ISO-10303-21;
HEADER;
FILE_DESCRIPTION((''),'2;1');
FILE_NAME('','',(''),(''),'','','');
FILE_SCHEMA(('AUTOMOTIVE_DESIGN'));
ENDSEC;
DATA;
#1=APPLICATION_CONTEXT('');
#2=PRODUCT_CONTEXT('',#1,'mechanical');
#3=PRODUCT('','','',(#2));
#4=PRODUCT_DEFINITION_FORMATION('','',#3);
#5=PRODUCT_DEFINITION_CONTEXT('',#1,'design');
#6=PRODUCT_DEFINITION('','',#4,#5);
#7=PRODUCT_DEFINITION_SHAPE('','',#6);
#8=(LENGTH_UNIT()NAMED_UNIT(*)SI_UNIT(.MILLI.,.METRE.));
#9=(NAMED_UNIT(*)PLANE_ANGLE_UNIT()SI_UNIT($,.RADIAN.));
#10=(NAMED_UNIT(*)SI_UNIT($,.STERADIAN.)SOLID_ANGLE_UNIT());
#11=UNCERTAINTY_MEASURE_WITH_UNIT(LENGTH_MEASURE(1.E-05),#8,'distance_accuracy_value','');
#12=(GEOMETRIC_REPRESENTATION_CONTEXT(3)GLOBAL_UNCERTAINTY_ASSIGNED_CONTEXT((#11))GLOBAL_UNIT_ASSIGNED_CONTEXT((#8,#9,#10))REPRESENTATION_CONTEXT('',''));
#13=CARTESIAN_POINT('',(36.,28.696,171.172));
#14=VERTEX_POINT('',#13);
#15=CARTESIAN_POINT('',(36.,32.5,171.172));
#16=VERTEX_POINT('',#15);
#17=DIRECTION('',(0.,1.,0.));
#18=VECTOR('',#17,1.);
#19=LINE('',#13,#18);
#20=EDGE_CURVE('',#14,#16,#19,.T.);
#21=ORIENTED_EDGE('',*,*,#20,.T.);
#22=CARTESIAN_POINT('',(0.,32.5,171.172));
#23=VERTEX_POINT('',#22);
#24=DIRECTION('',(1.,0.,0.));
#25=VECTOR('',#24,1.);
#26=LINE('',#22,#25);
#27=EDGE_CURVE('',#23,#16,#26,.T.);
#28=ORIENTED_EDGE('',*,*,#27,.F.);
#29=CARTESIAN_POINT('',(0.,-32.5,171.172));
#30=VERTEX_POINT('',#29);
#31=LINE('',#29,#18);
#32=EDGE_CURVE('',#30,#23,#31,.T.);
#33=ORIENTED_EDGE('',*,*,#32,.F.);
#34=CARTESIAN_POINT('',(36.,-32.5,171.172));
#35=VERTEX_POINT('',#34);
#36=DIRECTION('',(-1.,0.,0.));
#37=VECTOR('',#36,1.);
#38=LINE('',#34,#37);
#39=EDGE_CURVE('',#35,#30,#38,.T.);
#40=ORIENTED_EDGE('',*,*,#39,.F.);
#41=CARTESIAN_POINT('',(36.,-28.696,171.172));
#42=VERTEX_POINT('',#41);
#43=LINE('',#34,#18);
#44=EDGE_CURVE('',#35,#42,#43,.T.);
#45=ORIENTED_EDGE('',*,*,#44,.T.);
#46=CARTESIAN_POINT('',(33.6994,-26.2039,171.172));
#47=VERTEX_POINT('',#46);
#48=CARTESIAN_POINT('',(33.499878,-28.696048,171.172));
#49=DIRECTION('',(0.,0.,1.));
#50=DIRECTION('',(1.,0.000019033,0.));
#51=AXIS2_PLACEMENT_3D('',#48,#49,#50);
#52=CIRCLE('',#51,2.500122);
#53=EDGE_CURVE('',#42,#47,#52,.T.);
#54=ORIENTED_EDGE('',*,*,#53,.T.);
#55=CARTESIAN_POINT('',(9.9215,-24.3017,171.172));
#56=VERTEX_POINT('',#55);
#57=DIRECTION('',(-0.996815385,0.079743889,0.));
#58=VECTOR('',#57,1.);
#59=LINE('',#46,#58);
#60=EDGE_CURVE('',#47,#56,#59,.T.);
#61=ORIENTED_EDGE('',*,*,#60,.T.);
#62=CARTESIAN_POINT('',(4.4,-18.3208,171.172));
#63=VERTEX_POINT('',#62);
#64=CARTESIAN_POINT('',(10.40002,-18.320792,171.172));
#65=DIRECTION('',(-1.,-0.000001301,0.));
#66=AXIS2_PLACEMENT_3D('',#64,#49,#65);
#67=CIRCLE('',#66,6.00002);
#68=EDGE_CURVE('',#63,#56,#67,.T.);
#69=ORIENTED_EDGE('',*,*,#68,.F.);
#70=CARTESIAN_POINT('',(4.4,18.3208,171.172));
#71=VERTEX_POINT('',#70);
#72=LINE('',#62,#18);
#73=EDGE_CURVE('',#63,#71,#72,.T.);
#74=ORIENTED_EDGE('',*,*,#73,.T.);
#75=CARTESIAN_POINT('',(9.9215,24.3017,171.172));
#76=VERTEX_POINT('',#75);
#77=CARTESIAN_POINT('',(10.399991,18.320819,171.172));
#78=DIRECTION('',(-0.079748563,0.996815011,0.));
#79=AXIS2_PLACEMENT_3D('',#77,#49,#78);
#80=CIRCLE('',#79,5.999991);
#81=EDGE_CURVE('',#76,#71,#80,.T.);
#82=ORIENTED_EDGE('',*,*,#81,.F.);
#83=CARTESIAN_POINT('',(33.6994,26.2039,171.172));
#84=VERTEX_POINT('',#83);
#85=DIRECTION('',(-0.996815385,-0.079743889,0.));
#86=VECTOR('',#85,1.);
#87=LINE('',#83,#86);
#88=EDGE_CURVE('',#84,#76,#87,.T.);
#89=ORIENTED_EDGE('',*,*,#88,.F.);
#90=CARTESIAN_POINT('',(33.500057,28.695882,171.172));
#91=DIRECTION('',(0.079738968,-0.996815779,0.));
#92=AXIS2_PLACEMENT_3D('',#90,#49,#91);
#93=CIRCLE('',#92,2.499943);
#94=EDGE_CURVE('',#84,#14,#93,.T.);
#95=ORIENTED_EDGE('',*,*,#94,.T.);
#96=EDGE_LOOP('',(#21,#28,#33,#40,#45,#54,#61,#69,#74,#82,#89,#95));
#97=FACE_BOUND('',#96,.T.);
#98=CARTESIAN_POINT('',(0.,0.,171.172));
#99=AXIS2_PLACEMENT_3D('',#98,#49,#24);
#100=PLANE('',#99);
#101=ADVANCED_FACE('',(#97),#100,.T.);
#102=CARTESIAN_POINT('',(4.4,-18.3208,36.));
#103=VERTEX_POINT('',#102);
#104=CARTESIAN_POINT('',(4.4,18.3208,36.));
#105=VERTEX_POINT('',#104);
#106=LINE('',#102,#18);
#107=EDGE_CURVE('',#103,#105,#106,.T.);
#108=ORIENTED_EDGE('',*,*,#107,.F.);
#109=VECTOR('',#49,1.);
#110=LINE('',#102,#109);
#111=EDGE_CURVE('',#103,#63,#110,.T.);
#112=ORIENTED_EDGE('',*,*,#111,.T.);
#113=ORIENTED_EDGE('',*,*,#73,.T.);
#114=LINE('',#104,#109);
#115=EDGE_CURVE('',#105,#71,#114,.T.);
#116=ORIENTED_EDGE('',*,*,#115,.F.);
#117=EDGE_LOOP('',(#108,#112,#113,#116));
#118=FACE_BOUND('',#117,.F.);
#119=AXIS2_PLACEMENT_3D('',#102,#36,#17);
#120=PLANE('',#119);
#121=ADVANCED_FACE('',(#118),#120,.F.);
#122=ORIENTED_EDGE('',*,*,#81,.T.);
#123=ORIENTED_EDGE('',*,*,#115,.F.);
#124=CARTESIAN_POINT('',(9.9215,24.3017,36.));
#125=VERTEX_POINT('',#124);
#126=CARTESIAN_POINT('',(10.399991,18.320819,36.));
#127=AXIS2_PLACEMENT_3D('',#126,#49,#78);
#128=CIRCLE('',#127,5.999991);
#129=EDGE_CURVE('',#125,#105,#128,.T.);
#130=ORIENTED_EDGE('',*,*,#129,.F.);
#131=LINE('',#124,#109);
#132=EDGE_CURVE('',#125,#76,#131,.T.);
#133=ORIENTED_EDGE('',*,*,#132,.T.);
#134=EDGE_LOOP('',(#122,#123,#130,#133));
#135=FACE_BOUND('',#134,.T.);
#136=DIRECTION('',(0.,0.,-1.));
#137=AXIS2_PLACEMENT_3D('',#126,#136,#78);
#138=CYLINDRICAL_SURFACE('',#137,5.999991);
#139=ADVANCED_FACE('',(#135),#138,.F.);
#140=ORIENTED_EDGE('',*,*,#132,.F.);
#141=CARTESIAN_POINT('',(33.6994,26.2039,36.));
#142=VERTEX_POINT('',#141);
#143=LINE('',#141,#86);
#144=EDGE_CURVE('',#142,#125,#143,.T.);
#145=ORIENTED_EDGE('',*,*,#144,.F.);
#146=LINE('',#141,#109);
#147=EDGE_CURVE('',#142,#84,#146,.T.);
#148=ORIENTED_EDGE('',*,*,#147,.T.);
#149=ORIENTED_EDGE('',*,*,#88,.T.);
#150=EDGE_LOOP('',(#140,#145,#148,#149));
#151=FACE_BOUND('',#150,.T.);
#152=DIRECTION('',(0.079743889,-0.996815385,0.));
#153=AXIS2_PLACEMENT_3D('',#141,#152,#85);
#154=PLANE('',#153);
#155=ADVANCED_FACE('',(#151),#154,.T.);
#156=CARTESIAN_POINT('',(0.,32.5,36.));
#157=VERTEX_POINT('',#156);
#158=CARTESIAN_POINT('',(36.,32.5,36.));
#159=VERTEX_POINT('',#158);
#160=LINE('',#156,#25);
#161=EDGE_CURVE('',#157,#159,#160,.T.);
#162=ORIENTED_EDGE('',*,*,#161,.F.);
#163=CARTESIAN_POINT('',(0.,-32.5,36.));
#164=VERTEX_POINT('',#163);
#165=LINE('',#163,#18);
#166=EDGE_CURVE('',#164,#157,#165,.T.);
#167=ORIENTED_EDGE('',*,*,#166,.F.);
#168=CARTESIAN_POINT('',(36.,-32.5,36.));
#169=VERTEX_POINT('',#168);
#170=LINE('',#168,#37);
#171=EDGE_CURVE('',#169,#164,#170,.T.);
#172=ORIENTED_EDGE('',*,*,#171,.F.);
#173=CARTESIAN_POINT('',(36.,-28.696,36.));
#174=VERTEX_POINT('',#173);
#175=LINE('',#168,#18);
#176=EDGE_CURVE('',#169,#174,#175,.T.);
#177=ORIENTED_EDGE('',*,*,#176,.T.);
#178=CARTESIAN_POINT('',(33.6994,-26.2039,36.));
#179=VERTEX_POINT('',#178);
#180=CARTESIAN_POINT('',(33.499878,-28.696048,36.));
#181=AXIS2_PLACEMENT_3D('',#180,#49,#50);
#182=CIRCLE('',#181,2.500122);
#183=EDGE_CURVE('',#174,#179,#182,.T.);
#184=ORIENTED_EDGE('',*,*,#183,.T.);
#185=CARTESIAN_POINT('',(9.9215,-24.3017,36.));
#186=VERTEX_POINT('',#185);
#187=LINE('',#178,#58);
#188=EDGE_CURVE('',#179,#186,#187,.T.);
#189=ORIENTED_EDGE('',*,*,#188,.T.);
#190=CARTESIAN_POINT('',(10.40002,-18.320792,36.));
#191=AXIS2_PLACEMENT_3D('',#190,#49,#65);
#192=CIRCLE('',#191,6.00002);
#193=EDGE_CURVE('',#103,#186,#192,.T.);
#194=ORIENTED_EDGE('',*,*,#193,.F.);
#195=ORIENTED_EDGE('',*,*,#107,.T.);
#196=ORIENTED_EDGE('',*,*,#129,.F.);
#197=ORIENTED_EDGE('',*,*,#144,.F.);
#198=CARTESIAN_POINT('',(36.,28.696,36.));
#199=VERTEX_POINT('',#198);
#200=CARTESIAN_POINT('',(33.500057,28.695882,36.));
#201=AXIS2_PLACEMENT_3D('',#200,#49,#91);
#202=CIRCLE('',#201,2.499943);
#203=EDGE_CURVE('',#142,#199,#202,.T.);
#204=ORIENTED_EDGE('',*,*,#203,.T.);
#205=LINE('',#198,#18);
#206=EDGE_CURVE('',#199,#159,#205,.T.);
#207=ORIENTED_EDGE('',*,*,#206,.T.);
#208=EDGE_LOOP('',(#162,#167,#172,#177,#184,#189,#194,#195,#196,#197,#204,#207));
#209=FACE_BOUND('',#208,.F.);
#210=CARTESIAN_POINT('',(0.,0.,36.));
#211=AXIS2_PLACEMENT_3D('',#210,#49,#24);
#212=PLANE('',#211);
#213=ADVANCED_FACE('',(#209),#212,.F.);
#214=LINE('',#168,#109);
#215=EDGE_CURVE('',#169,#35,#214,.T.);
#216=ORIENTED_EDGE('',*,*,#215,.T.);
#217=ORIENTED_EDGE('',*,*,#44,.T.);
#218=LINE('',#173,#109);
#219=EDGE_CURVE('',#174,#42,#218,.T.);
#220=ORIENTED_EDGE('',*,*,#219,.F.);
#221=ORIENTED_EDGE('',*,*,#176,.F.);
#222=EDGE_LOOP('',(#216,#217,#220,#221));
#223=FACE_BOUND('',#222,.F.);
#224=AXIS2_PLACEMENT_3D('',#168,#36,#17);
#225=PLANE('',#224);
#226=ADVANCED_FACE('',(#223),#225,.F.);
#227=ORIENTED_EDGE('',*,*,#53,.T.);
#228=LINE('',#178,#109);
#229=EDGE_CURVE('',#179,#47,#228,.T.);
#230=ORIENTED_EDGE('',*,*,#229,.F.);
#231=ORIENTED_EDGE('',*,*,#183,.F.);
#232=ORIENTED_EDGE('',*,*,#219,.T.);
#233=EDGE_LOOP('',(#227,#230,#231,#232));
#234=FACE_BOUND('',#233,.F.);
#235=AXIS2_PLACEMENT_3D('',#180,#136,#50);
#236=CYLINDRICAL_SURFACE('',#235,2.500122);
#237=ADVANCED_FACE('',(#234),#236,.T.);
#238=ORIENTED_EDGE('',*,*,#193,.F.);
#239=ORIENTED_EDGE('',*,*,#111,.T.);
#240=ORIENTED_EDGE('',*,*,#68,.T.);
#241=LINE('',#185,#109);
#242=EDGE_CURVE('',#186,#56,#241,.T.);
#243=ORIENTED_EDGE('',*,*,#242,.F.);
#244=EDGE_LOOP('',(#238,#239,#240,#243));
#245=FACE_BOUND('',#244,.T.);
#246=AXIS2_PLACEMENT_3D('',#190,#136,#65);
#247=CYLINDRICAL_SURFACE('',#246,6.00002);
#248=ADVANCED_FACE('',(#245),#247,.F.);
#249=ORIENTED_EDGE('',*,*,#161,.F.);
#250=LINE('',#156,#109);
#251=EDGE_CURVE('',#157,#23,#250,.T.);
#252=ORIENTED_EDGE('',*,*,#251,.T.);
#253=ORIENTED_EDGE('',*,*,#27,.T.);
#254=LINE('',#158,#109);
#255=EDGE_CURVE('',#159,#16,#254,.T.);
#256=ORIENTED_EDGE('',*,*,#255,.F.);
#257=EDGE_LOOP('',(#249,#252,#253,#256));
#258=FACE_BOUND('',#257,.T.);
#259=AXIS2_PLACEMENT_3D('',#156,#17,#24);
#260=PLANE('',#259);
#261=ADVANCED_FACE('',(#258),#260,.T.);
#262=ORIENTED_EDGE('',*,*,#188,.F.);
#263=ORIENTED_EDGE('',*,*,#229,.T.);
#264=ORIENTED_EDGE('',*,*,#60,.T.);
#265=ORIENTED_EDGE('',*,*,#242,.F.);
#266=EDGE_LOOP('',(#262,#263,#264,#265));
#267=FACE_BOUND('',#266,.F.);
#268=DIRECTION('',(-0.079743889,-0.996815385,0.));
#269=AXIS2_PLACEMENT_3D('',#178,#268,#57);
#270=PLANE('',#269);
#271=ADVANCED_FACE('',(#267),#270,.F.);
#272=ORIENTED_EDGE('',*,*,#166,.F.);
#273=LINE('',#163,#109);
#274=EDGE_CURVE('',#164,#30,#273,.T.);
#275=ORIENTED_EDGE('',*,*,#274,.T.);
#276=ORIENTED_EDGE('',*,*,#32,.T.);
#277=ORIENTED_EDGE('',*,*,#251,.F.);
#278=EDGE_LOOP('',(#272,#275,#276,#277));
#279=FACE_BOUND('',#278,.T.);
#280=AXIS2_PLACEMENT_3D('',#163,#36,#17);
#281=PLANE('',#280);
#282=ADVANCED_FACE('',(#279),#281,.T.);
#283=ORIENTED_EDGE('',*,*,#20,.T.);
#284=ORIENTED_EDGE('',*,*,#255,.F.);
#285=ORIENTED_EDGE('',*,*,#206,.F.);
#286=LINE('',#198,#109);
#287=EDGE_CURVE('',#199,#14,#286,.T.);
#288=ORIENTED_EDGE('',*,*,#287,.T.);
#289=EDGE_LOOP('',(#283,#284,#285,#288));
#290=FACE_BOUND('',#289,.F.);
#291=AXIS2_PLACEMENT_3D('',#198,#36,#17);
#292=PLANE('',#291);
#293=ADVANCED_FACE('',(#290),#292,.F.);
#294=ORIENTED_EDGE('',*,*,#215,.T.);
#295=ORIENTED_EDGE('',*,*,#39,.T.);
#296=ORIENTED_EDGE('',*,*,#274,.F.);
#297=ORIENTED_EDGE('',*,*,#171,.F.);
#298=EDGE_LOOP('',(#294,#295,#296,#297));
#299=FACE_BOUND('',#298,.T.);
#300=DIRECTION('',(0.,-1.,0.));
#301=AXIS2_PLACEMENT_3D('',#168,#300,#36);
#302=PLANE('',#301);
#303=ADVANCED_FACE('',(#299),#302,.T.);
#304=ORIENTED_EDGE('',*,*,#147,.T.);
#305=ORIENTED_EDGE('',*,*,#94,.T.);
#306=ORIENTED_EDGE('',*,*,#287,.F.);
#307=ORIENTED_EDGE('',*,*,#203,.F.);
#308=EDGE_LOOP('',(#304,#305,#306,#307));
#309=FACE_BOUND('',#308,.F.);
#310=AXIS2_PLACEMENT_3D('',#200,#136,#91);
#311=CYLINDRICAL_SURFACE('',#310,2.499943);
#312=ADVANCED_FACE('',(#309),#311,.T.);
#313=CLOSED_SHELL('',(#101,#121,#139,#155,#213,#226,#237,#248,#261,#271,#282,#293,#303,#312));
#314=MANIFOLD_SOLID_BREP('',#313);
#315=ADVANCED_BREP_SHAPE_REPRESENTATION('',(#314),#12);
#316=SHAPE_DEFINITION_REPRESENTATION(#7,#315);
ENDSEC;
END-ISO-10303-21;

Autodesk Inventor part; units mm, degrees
ref_plane "Начальная плоскость" through (0, 0, 36) normal (0, 0, 1) x (1, 0, 0)
ref_plane "Конечная плоскость" through (0, 0, 171.172) normal (0, 0, 1) x (1, 0, 0)
sketch "Эскиз" plane through (0, 0, 0) normal (0, 0, 1) x (1, 0, 0)
  line L0 (36, -32.5) -> (0, -32.5)
  line L1 (36, -32.5) -> (36, -28.696)
  line L2 (33.6994, -26.2039) -> (9.9215, -24.3017)
  line L3 (4.4, -18.3208) -> (4.4, 18.3208)
  line L4 (33.6994, 26.2039) -> (9.9215, 24.3017)
  line L5 (36, 28.696) -> (36, 32.5)
  line L6 (0, 32.5) -> (36, 32.5)
  line L7 (0, -32.5) -> (0, 32.5)
  arc A0 (4.4, -18.3208) -> (9.9215, -24.3017) centre (10.4, -18.3208) ccw
  arc A1 (9.9215, 24.3017) -> (4.4, 18.3208) centre (10.4, 18.3208) ccw
  arc A2 (36, -28.696) -> (33.6994, -26.2039) centre (33.5, -28.696) ccw
  arc A3 (33.6994, 26.2039) -> (36, 28.696) centre (33.5, 28.696) ccw
  line L8 (0, 45.5) -> (0, -45.5) construction
  line L9 (-7.2974, 0) -> (43.7847, 0) construction
  point P0 (36, -26.388)
  point P1 (4.4, -23.86)
  point P2 (4.4, 23.86)
  point P3 (36, 26.388)
  dimension "d3" = 36
  dimension "d5" = 4.4
  dimension "d7" = 65
  dimension "d9" = 8.64
  dimension "d11" = 8.64
  dimension "d13" = 6.112
  dimension "d15" = 6.112
  dimension "d22" = 6
  dimension "d23" = 2.5
  dimension "d24" = 32.5
  dimension "d25" = 0
extrude "Тело" add sketch "Эскиз" along normal up to surface (135.172 mm away) from surface at 36
sketch "Sketch3" plane through (0, 0, 0) normal (0, 0, 1) x (1, 0, 0)
  line L0 (0, 0) -> (10, 0)
ref_plane "Work Plane7" through (0, 0, 0) normal (0, -1, 0) x (1, 0, 0)
sketch "Sketch4" plane through (0, 0, 0) normal (0, -1, 0) x (1, 0, 0)
  line L0 (-2, 36) -> (12, 36)
  line L1 (-2, 171.172) -> (12, 171.172)
  dimension "d29" = 135.172
ref_plane "РабПлоскость8" through (-343.772, 32.5, 171.172) normal (0, 0, 1) x (1, 0, 0)
split "Разделение1" plane through (-343.772, 32.5, 171.172) removes the side toward (0, 0, 1)
ref_plane "РабПлоскость9" through (-343.772, -32.5, 36) normal (0, 0, -1) x (-1, 0, 0)
split "Разделение2" plane through (-343.772, -32.5, 36) removes the side toward (0, 0, -1)
equation "\"d3\" = b"
equation "\"d5\" = t1"
equation "\"d7\" = ParH"
equation "\"d9\" = msp_x1 + t2"
equation "\"d11\" = msp_x1 + t2"
equation "\"d13\" = -msp_x2 + t2"
equation "\"d15\" = -msp_x2 + t2"
equation "\"d22\" = R"
equation "\"d23\" = R1"
equation "\"d24\" = 0.5 * d7"
equation "\"d16\" = G_L"
equation "\"R1\" = 2.5"
equation "\"R\" = 6"
equation "\"t1\" = 4.4"
equation "\"t2\" = 7.2"
equation "\"ParH\" = 65"
equation "\"b\" = 36"
equation "\"msp_x1\" = 0.04 * b"
equation "\"msp_x2\" = -0.08 * t1 + 0.04 * b"
equation "\"G_L\" = d29"
equation "\"ex\" = 0"
equation "\"G_OFFSET_START\" = -36"
equation "\"G_OFFSET_END\" = -36"
equation "\"d26\" = -G_OFFSET_START"
equation "\"d27\" = G_OFFSET_END + B_L"
equation "\"B_L\" = 207.172"
properties part number "Швеллер 6.5U-135,17 ГОСТ 8240-97" material "Сталь, мягкая"
